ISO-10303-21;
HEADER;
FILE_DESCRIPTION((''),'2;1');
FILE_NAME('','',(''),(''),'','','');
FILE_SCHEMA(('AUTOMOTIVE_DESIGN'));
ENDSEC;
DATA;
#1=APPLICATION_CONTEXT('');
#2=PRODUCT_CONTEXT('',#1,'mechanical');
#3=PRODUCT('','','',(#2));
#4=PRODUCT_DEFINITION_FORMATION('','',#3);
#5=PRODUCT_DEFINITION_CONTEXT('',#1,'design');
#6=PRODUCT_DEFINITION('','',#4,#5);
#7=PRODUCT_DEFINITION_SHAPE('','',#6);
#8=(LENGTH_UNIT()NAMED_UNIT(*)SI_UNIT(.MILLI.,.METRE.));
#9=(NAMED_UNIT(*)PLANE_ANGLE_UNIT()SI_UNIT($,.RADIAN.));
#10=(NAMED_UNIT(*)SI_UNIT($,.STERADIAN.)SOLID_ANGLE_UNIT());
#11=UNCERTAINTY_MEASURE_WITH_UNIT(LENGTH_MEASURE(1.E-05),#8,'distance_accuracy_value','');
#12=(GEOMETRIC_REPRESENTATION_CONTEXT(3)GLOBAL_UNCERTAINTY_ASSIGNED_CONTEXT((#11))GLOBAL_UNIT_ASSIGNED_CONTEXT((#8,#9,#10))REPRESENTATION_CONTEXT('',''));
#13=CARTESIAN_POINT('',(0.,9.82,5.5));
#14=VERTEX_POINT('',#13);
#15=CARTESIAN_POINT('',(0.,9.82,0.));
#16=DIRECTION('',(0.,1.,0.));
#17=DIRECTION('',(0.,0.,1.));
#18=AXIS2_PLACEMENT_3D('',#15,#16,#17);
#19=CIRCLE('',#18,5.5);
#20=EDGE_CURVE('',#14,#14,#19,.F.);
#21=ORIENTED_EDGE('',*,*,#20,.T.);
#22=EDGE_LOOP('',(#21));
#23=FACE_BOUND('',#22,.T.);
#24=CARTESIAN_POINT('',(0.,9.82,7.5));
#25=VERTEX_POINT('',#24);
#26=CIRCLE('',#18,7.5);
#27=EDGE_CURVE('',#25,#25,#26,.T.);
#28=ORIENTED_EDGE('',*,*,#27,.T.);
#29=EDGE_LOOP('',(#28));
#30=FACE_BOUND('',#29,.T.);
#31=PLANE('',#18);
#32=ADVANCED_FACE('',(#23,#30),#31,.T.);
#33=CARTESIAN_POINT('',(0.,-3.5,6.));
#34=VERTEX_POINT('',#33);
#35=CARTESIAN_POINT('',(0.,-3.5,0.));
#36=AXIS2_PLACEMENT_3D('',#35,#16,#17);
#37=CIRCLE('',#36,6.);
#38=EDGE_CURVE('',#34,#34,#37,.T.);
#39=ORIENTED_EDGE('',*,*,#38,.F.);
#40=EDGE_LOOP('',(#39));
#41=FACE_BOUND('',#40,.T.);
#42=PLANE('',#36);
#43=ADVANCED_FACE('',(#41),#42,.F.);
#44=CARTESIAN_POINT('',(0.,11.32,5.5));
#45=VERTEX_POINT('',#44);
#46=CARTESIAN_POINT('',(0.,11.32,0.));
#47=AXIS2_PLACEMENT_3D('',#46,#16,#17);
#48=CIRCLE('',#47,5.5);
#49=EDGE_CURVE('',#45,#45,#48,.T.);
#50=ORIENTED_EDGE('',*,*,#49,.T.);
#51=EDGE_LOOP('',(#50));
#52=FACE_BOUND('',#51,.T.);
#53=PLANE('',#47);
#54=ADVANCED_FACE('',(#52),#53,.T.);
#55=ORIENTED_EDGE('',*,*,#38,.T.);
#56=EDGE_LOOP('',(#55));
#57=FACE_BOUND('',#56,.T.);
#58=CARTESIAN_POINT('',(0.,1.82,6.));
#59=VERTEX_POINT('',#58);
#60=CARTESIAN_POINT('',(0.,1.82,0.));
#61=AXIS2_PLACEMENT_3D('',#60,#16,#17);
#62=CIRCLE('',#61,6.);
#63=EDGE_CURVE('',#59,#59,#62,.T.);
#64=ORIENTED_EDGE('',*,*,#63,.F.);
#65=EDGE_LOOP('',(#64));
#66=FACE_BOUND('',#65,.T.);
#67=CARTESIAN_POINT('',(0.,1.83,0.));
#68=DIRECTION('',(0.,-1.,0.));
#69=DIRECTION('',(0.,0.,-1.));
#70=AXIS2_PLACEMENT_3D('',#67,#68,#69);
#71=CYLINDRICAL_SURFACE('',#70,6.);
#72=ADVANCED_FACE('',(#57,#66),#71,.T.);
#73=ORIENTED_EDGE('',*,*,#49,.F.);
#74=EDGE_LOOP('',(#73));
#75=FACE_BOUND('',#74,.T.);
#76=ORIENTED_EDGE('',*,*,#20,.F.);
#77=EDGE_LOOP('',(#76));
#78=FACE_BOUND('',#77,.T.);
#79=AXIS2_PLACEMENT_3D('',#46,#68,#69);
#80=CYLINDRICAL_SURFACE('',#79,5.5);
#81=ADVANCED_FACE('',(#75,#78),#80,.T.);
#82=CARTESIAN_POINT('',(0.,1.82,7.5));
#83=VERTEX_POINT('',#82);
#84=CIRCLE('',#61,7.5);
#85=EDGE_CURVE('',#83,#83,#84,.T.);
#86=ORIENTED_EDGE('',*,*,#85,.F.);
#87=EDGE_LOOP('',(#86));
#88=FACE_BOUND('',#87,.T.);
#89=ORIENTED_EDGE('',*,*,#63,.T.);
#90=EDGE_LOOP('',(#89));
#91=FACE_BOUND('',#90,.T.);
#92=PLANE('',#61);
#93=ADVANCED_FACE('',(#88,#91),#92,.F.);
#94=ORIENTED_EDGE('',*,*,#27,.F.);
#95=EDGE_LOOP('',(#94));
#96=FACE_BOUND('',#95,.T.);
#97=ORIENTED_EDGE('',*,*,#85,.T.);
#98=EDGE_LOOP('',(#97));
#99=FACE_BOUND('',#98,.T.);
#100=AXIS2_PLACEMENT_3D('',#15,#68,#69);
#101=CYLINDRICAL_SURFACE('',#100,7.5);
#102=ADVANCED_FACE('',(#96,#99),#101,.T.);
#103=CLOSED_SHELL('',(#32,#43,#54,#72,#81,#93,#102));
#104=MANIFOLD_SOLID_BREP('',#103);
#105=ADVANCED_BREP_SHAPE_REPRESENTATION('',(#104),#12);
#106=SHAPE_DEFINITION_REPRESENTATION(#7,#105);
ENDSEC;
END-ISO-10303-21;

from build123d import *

# Parameters (mm, degrees)
THREAD_START        = -3.5
SKETCH1_R           = 6
THREAD_DEPTH        = 5.33
BODY_START          = 1.82
SKETCH2_R           = 7.5
BODY_DEPTH          = 8
FRONT_START         = 9.81
SKETCH3_R           = 5.5
FRONT_ELEMENT_DEPTH = 1.51


with BuildPart() as part:
    # Sketch1 → Thread (new body)
    with BuildSketch(Plane(origin=(0, 0, 0), x_dir=(1, 0, 0), z_dir=(0, 1, 0)).offset(THREAD_START)):
        with Locations(Location((0, 0, 0), (0, 0, 270))):
            Circle(SKETCH1_R)
    extrude(amount=THREAD_DEPTH)

    # Sketch2 → Body (add)
    with BuildSketch(Plane(origin=(0, 0, 0), x_dir=(1, 0, 0), z_dir=(0, 1, 0)).offset(BODY_START)):
        with Locations(Location((0, 0, 0), (0, 0, 270))):
            Circle(SKETCH2_R)
    extrude(amount=BODY_DEPTH)

    # Sketch3 → Front element (add)
    with BuildSketch(Plane(origin=(0, 0, 0), x_dir=(1, 0, 0), z_dir=(0, 1, 0)).offset(FRONT_START)):
        with Locations(Location((0, 0, 0), (0, 0, 270))):
            Circle(SKETCH3_R)
    extrude(amount=FRONT_ELEMENT_DEPTH)


solid = part.part
